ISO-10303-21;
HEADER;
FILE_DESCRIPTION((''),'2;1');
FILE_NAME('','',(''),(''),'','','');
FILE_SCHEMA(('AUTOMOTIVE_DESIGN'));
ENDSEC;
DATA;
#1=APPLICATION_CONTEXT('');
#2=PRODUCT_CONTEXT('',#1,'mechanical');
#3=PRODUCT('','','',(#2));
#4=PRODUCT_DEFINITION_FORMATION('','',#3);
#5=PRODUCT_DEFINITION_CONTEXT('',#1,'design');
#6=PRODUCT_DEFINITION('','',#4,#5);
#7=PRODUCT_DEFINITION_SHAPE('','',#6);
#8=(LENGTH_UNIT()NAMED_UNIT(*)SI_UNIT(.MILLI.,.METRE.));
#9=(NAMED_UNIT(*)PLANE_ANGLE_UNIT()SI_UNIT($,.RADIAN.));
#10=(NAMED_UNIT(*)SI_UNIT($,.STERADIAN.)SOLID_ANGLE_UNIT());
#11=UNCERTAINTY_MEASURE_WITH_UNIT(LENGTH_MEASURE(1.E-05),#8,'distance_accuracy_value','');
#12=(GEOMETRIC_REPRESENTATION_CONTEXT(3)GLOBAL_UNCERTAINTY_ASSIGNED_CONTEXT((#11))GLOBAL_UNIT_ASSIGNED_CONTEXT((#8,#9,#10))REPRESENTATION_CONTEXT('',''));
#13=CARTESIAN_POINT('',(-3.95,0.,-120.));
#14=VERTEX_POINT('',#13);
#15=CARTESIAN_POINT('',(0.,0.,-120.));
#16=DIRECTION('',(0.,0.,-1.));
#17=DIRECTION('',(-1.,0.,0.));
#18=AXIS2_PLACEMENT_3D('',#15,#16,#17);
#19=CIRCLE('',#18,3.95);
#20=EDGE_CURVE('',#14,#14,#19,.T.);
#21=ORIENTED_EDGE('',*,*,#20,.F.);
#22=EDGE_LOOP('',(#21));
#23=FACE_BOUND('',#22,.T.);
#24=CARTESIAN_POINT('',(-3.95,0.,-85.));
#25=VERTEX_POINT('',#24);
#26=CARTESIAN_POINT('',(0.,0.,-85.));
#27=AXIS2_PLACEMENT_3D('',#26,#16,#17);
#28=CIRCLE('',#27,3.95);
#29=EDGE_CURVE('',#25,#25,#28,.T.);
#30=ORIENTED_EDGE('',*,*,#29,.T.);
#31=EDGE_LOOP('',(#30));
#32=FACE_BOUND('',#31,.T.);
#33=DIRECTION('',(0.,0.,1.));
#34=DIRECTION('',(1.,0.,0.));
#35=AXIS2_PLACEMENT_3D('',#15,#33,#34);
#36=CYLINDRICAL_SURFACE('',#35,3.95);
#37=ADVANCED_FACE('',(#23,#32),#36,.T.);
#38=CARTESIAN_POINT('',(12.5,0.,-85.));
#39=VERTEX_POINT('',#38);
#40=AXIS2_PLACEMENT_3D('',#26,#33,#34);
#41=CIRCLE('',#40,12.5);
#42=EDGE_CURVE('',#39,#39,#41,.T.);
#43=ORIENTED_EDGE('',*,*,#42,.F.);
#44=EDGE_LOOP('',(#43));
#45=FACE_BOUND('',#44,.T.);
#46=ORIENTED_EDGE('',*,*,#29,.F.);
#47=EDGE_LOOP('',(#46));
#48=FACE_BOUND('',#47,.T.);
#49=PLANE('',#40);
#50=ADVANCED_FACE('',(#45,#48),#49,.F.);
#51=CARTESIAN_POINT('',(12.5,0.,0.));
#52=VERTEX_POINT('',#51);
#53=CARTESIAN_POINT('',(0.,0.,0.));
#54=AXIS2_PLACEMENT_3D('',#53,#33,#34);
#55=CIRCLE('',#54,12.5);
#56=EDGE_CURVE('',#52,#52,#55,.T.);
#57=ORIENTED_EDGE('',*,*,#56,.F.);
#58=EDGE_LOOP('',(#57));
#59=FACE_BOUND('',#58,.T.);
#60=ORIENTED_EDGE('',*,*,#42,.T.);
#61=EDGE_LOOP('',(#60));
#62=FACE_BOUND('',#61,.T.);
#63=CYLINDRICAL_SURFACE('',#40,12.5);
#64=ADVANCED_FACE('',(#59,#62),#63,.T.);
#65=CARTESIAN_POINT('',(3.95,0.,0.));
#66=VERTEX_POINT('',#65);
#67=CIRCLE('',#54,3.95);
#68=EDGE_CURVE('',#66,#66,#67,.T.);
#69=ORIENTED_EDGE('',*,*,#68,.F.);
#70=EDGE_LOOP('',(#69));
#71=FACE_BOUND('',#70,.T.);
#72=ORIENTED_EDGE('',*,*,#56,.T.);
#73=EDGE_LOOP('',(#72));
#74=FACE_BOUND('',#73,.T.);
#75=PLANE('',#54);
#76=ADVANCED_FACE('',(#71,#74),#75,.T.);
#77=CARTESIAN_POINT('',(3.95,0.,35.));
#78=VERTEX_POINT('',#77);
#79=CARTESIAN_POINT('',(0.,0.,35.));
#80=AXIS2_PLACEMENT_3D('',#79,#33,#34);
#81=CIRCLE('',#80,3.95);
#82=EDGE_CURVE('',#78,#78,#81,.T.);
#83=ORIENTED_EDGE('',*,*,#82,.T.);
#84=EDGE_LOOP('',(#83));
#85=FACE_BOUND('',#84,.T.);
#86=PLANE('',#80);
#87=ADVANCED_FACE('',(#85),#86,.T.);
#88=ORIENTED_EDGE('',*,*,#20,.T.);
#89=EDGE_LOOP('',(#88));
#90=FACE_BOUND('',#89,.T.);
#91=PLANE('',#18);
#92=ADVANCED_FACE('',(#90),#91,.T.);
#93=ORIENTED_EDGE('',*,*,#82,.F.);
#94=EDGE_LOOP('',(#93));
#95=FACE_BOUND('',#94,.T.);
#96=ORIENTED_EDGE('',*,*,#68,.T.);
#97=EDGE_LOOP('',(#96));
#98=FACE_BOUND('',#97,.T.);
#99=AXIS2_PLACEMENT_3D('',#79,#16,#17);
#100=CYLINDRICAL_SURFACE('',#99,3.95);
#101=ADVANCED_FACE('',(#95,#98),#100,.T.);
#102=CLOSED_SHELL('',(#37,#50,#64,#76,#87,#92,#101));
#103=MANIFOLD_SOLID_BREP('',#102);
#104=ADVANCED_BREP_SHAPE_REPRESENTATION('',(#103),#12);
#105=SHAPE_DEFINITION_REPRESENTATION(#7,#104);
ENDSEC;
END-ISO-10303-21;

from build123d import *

# Parameters (mm, degrees)
SKETCH1_R           = 12.5
BOSS_EXTRUDE1_DEPTH = 85
SKETCH2_R           = 3.95
BOSS_EXTRUDE2_DEPTH = 35
BOSS_EXTRUDE3_START = 35
SKETCH3_R           = 3.95
BOSS_EXTRUDE3_DEPTH = 35


with BuildPart() as part:
    # Sketch1 → Boss-Extrude1 (new body)
    with BuildSketch(Plane.XY):
        Circle(SKETCH1_R)
    extrude(amount=-BOSS_EXTRUDE1_DEPTH)

    # Sketch2 → Boss-Extrude2 (add)
    with BuildSketch(Plane.XY):
        Circle(SKETCH2_R)
    extrude(amount=BOSS_EXTRUDE2_DEPTH)

    # Sketch3 → Boss-Extrude3 (add)
    with BuildSketch(Plane(origin=(0, 0, -85), x_dir=(-1, 0, 0), z_dir=(0, 0, -1)).offset(BOSS_EXTRUDE3_START)):
        with Locations(Location((0, 0, 0), (0, 0, 180))):
            Circle(SKETCH3_R)
    extrude(amount=-BOSS_EXTRUDE3_DEPTH)


solid = part.part
